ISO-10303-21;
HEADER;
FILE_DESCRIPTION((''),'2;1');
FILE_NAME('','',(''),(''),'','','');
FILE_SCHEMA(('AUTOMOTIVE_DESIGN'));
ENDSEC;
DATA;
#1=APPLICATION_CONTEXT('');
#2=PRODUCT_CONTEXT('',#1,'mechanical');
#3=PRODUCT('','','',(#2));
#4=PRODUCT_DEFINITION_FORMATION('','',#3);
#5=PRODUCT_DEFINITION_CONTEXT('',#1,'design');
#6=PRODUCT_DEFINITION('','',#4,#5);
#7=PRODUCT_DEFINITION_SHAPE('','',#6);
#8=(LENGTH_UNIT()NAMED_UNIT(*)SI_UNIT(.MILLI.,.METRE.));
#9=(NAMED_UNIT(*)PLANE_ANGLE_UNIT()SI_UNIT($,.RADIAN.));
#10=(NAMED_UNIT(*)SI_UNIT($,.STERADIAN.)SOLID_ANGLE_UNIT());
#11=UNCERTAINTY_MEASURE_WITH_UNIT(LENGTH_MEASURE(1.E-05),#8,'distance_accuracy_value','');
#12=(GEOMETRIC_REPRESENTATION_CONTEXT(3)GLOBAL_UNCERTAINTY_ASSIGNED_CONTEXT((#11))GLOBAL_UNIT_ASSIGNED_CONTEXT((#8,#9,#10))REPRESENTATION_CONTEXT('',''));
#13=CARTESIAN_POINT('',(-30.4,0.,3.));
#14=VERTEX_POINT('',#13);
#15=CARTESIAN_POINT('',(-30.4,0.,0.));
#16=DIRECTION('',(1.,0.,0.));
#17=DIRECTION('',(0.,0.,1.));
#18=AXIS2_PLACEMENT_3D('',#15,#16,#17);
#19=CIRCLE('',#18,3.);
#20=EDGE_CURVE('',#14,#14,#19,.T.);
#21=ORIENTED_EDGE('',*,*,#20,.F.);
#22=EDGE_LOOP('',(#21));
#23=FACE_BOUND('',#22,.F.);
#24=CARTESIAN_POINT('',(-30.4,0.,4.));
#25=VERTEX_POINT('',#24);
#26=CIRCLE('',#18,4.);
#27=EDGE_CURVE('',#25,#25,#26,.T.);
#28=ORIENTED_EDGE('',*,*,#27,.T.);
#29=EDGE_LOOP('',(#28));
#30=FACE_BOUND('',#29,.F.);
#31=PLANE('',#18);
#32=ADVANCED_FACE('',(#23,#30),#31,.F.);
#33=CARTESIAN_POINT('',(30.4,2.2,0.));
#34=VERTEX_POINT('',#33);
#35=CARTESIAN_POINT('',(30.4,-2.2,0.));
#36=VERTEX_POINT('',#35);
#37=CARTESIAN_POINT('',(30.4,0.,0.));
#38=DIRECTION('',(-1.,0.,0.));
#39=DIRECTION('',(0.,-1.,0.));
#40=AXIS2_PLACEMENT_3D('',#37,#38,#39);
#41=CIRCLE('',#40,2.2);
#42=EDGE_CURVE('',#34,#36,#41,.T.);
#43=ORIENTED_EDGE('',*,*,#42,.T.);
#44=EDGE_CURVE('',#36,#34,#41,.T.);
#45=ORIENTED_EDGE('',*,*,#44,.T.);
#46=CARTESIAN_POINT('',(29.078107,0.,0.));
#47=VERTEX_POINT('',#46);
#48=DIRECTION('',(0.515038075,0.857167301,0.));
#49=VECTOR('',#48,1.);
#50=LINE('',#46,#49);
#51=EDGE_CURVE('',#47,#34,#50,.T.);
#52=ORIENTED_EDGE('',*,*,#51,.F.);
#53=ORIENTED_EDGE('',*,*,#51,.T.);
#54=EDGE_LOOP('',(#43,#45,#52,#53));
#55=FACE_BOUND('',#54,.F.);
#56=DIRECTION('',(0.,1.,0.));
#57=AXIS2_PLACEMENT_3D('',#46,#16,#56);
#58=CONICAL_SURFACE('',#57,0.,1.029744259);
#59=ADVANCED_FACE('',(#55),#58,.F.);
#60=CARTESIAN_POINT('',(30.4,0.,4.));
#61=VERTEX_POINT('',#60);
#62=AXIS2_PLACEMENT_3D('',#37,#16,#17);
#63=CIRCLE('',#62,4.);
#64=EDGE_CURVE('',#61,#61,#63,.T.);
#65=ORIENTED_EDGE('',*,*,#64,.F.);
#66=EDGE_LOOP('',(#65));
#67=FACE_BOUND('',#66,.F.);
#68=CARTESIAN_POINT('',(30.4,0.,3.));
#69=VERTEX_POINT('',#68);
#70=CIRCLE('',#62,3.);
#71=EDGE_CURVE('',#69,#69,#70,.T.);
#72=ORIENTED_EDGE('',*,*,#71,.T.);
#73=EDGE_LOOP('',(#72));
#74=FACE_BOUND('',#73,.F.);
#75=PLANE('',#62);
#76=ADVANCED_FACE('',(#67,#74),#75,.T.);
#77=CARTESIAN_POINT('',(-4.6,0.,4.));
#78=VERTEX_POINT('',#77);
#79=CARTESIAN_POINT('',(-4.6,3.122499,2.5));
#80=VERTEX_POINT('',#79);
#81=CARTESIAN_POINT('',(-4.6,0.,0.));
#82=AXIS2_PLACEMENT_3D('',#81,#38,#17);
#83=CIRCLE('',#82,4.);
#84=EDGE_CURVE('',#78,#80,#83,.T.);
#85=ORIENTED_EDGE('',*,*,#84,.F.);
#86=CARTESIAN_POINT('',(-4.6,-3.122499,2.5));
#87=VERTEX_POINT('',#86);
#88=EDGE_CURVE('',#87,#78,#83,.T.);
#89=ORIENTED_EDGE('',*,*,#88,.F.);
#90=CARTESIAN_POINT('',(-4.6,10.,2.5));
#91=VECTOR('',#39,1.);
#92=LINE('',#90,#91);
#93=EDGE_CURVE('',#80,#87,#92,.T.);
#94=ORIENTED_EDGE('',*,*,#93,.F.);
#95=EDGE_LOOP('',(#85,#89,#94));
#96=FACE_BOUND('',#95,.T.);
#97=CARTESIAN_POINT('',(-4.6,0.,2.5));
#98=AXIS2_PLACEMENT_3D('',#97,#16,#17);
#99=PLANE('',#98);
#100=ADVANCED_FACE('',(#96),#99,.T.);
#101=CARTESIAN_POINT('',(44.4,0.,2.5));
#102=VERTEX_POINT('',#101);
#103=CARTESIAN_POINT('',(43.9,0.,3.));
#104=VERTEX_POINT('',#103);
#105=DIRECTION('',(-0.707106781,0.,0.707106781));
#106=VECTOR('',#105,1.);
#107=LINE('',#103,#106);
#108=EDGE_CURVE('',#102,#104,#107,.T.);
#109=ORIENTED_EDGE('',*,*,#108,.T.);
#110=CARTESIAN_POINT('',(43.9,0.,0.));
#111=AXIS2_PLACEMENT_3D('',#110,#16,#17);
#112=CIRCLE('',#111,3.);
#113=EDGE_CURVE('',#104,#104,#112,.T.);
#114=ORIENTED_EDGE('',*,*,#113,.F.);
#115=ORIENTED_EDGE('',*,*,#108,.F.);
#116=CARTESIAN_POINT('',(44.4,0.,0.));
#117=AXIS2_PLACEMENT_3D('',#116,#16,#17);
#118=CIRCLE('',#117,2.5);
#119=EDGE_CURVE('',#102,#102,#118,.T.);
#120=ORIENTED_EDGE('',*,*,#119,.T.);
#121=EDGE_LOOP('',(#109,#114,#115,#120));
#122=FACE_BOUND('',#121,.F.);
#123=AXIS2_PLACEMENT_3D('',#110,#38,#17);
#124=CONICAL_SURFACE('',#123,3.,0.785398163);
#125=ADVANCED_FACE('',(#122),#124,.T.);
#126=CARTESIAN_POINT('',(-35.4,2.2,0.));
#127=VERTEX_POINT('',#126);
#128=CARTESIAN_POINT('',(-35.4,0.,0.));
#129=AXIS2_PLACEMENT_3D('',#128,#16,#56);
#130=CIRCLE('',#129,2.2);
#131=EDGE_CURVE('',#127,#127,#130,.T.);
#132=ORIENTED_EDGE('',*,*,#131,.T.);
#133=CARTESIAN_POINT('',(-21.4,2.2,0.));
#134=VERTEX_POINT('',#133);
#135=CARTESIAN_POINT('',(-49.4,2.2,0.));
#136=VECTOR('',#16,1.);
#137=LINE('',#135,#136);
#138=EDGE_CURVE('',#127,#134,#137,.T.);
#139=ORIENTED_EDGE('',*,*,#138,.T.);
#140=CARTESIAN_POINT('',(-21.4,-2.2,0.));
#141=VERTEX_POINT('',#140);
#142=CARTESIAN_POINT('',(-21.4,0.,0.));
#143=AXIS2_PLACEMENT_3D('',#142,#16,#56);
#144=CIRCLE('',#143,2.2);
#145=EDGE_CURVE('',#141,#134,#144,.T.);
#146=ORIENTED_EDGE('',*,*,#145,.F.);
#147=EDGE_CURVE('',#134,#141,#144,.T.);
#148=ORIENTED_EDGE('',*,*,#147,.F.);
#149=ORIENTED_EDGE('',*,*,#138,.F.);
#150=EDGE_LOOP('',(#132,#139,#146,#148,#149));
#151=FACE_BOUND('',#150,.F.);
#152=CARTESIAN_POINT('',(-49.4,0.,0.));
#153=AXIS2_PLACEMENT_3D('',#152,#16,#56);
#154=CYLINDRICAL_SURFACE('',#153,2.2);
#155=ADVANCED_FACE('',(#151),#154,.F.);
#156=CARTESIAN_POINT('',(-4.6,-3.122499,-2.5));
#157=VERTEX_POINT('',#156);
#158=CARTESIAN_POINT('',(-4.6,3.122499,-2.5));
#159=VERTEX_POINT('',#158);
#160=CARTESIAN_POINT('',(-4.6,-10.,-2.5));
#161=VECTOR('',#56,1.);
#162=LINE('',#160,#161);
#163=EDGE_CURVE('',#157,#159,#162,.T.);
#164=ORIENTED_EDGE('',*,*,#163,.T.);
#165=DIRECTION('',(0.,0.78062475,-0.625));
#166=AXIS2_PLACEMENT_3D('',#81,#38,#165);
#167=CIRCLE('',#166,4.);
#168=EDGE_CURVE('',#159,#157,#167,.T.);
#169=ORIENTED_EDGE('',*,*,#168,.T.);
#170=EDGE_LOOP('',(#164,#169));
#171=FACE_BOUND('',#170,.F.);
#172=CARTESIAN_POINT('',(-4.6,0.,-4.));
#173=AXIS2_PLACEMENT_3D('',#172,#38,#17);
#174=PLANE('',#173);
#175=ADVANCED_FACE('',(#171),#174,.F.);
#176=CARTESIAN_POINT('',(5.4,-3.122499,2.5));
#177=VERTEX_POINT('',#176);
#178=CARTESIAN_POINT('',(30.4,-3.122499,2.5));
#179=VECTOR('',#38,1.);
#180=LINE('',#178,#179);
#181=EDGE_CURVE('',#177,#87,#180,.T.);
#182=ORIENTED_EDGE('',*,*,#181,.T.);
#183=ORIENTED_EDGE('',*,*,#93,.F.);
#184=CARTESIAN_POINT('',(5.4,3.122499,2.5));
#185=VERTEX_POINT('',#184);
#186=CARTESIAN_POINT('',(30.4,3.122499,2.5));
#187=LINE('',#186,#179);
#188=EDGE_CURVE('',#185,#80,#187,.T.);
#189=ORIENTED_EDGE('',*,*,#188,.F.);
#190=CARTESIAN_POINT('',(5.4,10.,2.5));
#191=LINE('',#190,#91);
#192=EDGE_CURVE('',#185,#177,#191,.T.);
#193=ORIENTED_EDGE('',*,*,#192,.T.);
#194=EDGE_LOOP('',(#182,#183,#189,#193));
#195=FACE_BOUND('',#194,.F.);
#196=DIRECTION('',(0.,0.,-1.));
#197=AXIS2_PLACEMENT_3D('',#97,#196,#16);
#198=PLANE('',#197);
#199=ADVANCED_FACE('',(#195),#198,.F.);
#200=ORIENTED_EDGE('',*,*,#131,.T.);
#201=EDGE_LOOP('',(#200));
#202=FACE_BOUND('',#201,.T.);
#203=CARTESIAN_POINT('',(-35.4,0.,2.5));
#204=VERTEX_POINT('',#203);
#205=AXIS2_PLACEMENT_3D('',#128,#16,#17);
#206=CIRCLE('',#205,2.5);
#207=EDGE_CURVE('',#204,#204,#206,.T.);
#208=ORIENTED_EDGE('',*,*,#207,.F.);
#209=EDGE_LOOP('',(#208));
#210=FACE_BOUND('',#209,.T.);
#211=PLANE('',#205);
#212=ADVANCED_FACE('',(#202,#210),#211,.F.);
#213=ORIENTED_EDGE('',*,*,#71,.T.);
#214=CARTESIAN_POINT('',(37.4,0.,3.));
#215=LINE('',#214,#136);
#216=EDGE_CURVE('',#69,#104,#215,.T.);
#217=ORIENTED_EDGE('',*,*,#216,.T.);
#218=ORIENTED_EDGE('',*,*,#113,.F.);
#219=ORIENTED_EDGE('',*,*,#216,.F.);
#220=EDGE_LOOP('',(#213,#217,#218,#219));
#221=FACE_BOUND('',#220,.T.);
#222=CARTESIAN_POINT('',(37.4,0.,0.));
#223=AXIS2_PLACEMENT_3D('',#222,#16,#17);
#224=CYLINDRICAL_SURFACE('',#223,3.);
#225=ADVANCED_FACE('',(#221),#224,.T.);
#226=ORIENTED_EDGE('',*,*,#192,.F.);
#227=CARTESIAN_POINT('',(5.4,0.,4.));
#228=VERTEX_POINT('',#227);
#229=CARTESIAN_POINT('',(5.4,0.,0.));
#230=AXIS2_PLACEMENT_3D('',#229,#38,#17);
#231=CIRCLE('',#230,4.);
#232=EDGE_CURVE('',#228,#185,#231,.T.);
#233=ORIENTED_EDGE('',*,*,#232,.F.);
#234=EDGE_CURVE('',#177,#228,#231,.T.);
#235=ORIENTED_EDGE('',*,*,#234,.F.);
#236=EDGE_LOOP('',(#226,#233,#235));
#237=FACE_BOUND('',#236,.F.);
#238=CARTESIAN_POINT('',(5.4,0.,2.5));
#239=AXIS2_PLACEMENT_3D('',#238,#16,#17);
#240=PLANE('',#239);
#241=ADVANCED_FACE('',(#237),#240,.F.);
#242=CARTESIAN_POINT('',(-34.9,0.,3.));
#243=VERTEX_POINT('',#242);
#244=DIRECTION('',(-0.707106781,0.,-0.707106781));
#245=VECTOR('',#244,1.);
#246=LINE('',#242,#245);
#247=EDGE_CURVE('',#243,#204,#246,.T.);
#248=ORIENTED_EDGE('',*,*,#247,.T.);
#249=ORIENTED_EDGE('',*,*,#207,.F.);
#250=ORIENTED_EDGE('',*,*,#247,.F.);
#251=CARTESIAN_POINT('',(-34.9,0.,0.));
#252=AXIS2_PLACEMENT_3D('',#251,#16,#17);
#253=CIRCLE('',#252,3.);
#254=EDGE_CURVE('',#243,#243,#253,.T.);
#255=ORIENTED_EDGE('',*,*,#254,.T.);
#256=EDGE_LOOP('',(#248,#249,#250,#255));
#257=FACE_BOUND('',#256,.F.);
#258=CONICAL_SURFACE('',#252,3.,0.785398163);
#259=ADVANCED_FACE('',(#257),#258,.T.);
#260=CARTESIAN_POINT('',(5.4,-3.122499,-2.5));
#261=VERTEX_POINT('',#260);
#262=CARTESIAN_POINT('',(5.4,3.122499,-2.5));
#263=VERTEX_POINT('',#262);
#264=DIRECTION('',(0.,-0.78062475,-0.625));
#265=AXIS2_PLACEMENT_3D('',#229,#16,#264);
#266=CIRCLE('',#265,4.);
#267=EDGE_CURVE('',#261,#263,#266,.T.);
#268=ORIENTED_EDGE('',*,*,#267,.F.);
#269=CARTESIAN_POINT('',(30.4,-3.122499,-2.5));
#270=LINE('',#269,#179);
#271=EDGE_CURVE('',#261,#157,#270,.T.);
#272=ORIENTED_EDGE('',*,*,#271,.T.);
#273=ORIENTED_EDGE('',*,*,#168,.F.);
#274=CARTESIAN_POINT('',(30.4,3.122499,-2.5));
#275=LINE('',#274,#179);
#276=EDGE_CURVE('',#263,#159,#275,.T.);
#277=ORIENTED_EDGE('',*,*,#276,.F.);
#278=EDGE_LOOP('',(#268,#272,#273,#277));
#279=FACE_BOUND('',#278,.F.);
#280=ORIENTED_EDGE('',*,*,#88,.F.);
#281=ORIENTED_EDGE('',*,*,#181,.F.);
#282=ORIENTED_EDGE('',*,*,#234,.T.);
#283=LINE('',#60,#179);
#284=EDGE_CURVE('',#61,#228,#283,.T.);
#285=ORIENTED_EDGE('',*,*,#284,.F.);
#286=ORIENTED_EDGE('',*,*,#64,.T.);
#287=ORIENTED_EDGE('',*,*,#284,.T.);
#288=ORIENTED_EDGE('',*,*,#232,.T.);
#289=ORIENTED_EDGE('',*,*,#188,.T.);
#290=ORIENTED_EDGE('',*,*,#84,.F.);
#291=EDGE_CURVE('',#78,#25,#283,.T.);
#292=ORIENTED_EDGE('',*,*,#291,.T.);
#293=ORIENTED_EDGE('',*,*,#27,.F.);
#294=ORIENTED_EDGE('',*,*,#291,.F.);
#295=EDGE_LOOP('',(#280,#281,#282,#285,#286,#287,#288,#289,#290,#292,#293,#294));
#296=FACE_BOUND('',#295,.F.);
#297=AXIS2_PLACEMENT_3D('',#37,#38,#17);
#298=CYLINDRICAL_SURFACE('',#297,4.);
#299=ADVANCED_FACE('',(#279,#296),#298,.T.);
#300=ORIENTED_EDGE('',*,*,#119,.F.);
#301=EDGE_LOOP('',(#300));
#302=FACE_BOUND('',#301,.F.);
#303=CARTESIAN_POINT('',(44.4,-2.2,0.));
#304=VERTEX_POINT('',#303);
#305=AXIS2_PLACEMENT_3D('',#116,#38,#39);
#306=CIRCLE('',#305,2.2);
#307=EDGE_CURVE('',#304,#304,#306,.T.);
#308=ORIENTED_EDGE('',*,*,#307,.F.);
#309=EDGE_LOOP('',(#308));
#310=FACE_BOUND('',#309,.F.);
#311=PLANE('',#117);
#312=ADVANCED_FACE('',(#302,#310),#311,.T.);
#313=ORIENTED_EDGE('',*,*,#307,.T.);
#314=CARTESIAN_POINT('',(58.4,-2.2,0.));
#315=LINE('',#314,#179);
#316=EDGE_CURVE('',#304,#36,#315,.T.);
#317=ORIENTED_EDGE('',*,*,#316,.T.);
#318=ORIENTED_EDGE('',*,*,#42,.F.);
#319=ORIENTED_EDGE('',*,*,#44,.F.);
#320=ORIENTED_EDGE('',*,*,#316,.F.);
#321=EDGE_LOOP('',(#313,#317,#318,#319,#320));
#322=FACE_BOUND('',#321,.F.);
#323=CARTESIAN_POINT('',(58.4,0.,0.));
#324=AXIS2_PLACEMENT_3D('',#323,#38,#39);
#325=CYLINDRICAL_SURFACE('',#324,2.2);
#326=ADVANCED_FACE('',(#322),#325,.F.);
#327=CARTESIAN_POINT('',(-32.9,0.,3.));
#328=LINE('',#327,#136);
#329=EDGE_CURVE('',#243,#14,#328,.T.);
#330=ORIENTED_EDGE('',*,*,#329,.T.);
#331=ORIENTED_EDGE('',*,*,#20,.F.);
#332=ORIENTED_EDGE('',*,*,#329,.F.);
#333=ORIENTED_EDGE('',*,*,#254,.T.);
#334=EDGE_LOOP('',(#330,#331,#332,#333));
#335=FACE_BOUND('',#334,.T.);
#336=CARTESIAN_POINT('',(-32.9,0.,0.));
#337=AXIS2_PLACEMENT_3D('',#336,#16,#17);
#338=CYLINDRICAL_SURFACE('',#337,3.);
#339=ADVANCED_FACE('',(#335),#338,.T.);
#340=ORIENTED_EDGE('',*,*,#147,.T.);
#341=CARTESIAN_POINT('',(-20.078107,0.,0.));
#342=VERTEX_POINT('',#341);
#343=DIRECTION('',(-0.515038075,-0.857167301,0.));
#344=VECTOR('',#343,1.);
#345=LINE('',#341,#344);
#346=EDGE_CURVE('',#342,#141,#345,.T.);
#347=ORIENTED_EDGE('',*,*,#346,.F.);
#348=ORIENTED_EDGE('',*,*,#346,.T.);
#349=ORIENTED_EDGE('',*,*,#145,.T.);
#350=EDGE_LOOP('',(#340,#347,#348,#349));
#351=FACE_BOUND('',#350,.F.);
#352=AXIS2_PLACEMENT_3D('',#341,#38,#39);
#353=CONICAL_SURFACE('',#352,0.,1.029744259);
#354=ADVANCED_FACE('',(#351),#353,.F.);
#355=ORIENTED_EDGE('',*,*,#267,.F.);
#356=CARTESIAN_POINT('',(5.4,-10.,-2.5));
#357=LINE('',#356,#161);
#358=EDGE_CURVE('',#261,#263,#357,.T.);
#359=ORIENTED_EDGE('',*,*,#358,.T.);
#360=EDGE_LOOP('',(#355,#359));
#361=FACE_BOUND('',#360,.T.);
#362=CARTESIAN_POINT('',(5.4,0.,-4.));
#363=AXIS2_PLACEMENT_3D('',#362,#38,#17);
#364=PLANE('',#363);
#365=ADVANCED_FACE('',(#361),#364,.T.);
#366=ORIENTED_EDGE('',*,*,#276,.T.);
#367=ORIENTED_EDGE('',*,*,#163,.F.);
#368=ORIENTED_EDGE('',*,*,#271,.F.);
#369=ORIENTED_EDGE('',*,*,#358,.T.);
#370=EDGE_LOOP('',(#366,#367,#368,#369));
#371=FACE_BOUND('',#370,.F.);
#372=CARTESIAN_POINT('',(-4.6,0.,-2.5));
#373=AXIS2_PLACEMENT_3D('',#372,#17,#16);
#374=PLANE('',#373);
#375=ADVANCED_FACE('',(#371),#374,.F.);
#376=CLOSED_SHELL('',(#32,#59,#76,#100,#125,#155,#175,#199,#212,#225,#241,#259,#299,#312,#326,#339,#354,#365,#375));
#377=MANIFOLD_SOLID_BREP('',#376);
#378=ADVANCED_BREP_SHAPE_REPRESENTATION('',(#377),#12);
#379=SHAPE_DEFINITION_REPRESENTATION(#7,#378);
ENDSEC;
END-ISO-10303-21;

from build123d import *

# Parameters (mm, degrees)
F0_W     = 5
F0_H     = 3
F0_W_2   = 14
F3_SIZE  = 0.5
F4_D     = 4.4
F4_DEPTH = 14
F4_TIP   = 1.3218933619
F5_SIZE  = 0.5
F7_D     = 4.4
F7_DEPTH = 14
F7_TIP   = 1.3218933619
F8_W     = 10
F8_H     = 1.5
F9_DEPTH = 10


with BuildPart() as f1:
    # F0 (on Front) → F1 (revolve)
    with BuildSketch(Plane.XZ):
        Polygon((-30.4, 3), (-30.4, 0), (30.4, 0), (30.4, 3), (30.4, 4), (5, 4), (-5, 4), (-30.4, 4), align=None)
        with Locations((-32.9, 1.5)):
            Rectangle(F0_W, F0_H)
        with Locations((37.4, 1.5)):
            Rectangle(F0_W_2, F0_H)
    revolve(axis=Axis((7.3750944167, 0, 0), (1, 0, 0)))

    # F3
    f3_edges = [f1.edges().sort_by_distance(p)[0] for p in [
        (44.4, 0, -3),
    ]]
    chamfer(f3_edges, length=F3_SIZE)

    # F4
    with Locations(Plane.YZ.offset(44.4)):
        with Locations((0, 0)):
            Hole(F4_D / 2, depth=F4_DEPTH)
            with Locations((0, 0, -(F4_DEPTH + F4_TIP / 2))):  # 118° drill point
                Cone(0, F4_D / 2, F4_TIP, mode=Mode.SUBTRACT)

    # F5
    f5_edges = [f1.edges().sort_by_distance(p)[0] for p in [
        (-35.4, 0, -3),
    ]]
    chamfer(f5_edges, length=F5_SIZE)

    # F7
    with Locations(Plane(origin=(-35.4, 0, 0), x_dir=(0, -1, 0), z_dir=(-1, 0, 0))):
        with Locations((0, 0)):
            Hole(F7_D / 2, depth=F7_DEPTH)
            with Locations((0, 0, -(F7_DEPTH + F7_TIP / 2))):  # 118° drill point
                Cone(0, F7_D / 2, F7_TIP, mode=Mode.SUBTRACT)

    # F8 (on Front) → F9 (cut, symmetric)
    with BuildSketch(Plane.XZ):
        with Locations((0.4, -3.25)):
            Rectangle(F8_W, F8_H)
        with Locations((0.4, 3.25)):
            Rectangle(F8_W, F8_H)
    extrude(amount=F9_DEPTH, both=True, mode=Mode.SUBTRACT)


solid = f1.part
